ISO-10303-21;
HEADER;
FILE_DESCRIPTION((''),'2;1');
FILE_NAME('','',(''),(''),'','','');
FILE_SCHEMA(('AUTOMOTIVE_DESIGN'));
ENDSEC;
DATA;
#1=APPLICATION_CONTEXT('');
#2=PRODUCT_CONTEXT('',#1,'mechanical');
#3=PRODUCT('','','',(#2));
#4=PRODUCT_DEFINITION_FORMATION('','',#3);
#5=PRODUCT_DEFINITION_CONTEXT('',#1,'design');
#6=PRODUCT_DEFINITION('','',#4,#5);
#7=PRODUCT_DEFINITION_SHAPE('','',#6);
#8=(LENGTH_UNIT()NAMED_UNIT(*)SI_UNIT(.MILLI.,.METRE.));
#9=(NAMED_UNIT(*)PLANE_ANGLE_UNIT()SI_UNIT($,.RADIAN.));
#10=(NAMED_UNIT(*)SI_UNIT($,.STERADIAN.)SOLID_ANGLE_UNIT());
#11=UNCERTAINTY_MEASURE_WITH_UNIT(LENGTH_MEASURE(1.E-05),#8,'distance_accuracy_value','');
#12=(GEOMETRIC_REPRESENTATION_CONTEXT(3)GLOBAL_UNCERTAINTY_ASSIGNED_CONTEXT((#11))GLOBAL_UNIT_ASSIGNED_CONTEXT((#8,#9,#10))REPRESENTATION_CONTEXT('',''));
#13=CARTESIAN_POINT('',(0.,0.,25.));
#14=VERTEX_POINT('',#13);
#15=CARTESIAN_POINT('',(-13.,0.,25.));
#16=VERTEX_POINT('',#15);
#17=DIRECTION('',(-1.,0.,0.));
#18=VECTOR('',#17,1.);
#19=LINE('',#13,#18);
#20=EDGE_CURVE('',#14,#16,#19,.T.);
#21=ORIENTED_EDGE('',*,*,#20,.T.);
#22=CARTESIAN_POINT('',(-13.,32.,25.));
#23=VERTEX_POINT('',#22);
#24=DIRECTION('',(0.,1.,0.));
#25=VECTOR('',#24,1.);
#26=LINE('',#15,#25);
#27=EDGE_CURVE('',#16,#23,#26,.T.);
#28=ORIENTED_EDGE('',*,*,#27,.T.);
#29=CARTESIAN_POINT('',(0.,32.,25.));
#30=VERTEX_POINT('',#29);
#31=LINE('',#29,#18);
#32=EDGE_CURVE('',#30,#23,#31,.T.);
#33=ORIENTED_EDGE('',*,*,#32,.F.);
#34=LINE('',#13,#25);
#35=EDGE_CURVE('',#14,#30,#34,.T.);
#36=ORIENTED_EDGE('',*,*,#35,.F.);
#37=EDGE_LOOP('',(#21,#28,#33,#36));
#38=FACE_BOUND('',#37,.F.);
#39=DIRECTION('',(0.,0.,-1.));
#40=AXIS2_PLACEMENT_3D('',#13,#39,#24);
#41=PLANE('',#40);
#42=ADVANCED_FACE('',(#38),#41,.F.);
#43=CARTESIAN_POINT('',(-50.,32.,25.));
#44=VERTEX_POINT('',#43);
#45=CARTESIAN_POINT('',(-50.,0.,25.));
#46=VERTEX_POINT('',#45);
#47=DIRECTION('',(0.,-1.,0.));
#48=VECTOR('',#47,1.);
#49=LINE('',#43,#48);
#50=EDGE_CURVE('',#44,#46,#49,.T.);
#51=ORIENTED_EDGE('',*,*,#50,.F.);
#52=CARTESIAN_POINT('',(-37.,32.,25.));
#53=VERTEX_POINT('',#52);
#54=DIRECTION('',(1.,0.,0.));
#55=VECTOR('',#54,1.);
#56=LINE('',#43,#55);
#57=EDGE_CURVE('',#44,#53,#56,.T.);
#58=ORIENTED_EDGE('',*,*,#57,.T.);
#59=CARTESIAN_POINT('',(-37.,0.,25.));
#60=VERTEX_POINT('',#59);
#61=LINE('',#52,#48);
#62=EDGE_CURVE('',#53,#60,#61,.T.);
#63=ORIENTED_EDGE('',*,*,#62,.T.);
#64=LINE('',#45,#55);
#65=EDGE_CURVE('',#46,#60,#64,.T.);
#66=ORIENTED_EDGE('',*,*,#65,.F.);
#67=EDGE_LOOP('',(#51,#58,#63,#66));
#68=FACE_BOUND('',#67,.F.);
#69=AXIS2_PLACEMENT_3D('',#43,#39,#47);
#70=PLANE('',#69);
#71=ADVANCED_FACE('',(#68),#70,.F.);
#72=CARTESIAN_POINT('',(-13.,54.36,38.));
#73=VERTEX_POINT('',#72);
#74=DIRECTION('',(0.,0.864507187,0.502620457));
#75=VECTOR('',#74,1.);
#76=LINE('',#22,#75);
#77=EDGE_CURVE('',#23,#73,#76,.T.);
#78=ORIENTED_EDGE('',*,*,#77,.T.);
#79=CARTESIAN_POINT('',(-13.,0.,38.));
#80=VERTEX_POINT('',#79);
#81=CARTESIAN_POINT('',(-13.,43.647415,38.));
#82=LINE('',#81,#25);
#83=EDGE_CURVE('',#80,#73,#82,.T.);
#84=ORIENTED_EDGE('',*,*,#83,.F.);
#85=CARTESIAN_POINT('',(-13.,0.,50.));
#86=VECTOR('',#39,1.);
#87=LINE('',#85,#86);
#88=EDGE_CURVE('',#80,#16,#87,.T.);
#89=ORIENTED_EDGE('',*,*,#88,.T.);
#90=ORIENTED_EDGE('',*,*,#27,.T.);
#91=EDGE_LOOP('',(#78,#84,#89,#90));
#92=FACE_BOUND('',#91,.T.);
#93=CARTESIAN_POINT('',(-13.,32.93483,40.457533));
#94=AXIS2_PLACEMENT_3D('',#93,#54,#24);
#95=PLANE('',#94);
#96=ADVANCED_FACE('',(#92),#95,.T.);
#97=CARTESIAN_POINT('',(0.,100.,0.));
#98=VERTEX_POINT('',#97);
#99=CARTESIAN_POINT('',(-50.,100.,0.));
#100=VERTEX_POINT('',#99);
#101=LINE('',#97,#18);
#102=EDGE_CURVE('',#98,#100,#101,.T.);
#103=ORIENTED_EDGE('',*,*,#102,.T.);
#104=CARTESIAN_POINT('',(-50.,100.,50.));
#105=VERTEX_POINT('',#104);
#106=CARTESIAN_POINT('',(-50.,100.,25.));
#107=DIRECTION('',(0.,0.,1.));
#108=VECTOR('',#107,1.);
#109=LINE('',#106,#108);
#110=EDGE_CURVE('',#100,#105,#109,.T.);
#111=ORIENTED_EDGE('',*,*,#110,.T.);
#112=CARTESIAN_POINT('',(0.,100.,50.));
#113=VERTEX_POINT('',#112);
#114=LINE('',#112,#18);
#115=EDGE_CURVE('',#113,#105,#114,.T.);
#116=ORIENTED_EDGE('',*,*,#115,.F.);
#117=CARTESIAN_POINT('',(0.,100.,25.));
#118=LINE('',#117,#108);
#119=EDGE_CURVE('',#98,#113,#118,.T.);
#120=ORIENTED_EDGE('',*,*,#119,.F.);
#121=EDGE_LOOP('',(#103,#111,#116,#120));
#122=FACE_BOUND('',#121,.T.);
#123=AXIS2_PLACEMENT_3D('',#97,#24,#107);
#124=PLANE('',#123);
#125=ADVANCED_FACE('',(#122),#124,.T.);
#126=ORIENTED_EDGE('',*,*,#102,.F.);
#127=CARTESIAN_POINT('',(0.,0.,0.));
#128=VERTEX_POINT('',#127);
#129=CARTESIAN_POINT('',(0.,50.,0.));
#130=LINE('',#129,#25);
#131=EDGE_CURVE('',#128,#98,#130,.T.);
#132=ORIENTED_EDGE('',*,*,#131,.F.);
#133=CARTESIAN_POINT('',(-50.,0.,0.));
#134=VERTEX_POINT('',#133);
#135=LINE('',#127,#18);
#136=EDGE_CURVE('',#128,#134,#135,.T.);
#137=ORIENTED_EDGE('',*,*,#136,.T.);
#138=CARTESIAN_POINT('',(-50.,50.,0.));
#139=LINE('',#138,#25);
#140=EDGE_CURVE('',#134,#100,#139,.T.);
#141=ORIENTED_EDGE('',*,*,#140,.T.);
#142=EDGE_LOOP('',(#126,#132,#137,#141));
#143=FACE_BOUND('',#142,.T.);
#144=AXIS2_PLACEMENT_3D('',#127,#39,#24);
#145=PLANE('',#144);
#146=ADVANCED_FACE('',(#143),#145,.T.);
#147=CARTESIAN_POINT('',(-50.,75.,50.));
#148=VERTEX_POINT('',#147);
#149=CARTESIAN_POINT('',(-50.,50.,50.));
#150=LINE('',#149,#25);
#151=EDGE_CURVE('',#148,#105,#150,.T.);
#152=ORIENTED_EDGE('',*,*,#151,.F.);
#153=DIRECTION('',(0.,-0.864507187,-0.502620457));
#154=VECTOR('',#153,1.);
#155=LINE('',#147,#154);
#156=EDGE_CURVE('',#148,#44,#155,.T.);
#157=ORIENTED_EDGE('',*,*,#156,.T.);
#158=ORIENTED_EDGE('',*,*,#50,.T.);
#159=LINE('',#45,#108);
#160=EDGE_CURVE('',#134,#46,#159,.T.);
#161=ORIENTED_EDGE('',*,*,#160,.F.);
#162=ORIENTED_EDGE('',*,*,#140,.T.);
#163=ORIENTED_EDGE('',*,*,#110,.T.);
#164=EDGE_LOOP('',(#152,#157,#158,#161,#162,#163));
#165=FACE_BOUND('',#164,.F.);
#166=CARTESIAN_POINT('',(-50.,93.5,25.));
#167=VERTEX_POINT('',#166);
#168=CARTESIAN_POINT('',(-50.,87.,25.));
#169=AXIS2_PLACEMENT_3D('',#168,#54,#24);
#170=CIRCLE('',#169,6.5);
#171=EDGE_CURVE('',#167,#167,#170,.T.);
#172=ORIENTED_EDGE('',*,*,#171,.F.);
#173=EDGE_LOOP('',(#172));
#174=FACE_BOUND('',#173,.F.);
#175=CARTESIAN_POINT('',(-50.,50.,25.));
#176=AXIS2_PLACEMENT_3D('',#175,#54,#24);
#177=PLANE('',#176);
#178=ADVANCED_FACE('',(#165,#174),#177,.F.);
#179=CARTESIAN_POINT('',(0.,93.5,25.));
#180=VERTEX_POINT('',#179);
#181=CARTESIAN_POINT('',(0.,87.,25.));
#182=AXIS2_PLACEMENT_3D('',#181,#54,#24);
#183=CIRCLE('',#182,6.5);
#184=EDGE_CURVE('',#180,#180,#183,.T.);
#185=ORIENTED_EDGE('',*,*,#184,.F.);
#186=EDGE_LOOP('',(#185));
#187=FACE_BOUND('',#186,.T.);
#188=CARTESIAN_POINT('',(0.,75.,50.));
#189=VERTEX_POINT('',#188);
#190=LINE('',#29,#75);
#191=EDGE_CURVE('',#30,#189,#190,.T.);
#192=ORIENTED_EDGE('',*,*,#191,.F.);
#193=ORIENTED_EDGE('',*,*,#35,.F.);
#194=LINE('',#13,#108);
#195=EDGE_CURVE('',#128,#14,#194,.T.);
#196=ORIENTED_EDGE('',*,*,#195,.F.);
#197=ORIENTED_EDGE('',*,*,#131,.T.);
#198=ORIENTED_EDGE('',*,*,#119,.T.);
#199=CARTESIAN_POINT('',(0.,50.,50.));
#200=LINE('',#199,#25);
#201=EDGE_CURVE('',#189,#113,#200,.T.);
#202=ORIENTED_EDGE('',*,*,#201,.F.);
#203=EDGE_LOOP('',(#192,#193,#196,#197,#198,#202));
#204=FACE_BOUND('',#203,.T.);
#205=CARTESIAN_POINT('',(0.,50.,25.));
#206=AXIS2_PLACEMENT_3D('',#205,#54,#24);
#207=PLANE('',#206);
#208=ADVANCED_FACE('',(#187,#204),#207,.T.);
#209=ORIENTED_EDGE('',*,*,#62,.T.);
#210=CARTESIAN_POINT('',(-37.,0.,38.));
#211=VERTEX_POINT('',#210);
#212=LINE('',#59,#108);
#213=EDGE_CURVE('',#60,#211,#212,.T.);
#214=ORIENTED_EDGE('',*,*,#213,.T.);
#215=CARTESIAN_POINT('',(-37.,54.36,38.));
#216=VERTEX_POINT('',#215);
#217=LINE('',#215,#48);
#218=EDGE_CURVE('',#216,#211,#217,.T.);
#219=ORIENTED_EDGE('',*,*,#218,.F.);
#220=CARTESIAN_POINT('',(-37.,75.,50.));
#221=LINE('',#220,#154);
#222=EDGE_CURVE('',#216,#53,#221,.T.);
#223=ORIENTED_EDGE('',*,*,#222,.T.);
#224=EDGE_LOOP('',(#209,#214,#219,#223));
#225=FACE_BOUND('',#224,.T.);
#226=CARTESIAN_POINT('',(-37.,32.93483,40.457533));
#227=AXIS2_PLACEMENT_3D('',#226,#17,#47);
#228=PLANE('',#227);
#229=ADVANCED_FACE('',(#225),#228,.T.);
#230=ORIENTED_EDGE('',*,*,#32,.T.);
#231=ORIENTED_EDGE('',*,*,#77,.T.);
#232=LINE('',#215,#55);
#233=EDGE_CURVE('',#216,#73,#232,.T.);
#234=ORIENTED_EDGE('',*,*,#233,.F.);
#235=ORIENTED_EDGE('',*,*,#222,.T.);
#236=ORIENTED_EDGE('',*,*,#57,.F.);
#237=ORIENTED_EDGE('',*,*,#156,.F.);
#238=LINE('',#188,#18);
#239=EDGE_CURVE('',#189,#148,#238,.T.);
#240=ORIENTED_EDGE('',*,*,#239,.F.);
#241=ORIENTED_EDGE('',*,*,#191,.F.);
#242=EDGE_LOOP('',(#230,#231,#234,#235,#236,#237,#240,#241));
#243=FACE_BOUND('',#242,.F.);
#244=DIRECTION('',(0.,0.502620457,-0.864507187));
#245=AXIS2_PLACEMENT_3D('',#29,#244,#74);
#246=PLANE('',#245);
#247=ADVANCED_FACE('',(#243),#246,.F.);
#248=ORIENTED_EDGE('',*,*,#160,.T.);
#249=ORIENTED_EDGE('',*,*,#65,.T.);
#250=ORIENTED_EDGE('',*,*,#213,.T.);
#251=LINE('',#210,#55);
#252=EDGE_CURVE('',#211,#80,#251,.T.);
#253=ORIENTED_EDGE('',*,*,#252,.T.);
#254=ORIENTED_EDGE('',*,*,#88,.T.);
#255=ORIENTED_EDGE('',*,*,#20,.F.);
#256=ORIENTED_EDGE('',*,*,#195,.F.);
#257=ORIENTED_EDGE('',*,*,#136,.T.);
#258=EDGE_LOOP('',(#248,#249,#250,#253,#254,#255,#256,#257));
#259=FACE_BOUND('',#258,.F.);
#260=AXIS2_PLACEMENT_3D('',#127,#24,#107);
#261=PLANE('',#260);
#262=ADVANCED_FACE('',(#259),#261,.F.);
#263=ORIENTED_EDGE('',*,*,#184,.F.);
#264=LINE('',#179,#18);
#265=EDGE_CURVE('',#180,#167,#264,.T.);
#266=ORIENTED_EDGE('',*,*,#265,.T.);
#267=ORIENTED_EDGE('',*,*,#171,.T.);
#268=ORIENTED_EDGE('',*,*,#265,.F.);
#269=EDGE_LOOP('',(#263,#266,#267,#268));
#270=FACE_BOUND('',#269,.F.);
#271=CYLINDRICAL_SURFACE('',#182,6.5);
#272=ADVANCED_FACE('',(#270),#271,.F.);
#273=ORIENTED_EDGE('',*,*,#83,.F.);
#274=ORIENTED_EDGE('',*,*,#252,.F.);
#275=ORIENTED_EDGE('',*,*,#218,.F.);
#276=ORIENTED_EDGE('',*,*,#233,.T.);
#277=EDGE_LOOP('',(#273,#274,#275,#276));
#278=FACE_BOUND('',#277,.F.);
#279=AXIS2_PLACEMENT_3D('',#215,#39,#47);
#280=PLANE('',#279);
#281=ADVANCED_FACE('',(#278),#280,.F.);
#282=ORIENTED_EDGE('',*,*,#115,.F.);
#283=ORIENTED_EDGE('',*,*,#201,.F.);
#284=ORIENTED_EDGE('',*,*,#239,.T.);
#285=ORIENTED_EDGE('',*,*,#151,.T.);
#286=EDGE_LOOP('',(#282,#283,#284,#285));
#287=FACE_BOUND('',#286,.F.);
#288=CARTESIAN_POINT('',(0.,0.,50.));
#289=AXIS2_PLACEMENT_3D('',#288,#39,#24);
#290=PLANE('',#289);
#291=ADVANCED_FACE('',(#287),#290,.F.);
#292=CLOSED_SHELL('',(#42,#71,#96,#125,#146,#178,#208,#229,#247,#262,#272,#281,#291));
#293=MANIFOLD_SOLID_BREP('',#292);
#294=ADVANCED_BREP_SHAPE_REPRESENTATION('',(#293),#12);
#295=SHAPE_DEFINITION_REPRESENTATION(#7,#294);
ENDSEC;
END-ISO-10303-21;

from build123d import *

# Parameters (mm, degrees)
F0_W     = 100
F0_H     = 50
F1_DEPTH = 50
F2_R     = 6.5
F3_DEPTH = 50.001
F4_DEPTH = 13
F7_DEPTH = 13
F9_DEPTH = 25


with BuildPart() as f1:
    # F0 (on Right) → F1 (new body)
    with BuildSketch(Plane.YZ):
        with Locations((50, 25)):
            Rectangle(F0_W, F0_H)
    extrude(amount=-F1_DEPTH)

    # F2 (on face) → F3 (cut, through all)
    with BuildSketch(Plane.YZ):
        with Locations((87, 25)):
            Circle(F2_R)
    extrude(amount=-F3_DEPTH, mode=Mode.SUBTRACT)

    # F2 (on face) → F4 (cut)
    with BuildSketch(Plane.YZ):
        Polygon((32, 25), (75, 50), (0, 50), (0, 25), align=None)
    extrude(amount=-F4_DEPTH, mode=Mode.SUBTRACT)

    # F6 (on face) → F7 (cut)
    with BuildSketch(Plane(origin=(-50, 0, 0), x_dir=(0, -1, 0), z_dir=(-1, 0, 0))):
        Polygon((-32, 25), (0, 25), (0, 50), (-75, 50), align=None)
    extrude(amount=-F7_DEPTH, mode=Mode.SUBTRACT)

    # F8 (on face) → F9 (cut)
    with BuildSketch(Plane(origin=(-37, 0, 0), x_dir=(0, -1, 0), z_dir=(-1, 0, 0))):
        Polygon((-54.36, 38), (0, 38), (0, 50), (-75, 50), align=None)
    extrude(amount=-F9_DEPTH, mode=Mode.SUBTRACT)


solid = f1.part
